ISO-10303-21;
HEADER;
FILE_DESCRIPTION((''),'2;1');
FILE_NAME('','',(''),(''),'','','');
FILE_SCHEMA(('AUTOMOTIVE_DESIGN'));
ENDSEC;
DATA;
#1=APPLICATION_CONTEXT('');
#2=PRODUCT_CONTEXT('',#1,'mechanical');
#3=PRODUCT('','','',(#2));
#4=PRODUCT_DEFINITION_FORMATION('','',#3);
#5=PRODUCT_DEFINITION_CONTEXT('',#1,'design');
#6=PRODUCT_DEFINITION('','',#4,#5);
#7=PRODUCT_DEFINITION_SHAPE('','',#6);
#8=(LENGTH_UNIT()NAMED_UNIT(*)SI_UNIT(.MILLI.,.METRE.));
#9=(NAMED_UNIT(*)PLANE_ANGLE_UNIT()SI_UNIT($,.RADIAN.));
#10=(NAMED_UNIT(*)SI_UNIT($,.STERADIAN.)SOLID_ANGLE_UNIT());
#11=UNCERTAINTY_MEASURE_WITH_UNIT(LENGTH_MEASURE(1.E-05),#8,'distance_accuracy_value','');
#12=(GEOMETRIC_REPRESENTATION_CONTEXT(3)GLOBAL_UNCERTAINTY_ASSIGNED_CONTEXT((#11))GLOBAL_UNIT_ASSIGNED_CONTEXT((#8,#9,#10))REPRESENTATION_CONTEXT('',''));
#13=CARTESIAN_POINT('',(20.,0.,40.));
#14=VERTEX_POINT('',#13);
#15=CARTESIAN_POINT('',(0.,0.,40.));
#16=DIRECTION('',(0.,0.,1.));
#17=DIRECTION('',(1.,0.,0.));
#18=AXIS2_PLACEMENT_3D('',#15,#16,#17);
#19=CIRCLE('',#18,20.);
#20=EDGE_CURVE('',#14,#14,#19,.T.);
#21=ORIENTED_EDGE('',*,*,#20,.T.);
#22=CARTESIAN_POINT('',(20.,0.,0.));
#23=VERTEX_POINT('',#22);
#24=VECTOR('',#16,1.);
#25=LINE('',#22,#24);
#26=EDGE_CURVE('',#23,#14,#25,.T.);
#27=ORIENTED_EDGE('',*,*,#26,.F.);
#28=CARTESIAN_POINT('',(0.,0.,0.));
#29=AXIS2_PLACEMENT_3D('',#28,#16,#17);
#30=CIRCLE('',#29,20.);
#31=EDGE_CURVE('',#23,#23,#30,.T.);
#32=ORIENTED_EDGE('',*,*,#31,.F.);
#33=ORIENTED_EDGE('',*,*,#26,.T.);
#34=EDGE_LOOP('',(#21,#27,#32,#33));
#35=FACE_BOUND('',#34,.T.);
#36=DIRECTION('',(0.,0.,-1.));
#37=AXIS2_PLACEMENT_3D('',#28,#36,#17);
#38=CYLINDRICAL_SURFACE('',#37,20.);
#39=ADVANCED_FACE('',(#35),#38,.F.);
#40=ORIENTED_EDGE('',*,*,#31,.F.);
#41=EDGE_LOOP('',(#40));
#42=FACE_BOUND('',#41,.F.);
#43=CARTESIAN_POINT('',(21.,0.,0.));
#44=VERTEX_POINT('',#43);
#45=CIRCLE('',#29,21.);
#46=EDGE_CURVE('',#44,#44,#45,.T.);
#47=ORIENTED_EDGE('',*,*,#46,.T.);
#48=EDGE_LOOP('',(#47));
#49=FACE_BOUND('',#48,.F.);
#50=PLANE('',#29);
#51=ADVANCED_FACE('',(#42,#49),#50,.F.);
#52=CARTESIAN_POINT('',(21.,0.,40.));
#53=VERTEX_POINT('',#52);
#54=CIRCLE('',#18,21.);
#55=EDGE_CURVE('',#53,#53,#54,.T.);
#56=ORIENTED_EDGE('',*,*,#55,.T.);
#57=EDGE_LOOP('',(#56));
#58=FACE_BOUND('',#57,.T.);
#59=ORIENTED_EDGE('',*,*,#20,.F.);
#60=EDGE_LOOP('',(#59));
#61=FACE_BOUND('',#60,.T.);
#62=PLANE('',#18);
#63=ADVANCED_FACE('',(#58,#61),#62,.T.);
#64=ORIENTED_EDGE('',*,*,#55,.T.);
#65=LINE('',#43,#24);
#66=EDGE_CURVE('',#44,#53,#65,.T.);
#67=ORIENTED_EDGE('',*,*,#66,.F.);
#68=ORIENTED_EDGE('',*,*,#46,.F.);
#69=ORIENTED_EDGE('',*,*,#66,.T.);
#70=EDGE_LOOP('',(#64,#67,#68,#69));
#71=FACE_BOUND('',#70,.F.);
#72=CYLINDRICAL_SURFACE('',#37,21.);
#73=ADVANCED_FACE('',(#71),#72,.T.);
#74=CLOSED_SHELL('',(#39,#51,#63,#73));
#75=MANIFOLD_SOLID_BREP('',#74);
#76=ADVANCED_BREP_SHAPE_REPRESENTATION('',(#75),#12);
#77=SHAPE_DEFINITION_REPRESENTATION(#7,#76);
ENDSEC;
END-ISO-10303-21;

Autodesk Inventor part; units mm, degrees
ref_plane "YZ Plane" through (0, 0, 0) normal (1, 0, 0) x (0, 1, 0)
ref_plane "XZ Plane" through (0, 0, 0) normal (0, 1, 0) x (-1, 0, 0)
ref_plane "XY Plane" through (0, 0, 0) normal (0, 0, 1) x (1, 0, 0)
sketch "Sketch1" plane through (0, 0, 0) normal (0, 0, 1) x (1, 0, 0)
  circle A0 centre (0, 0) radius 20
  circle A1 centre (0, 0) radius 21
  dimension "d0" = 40
  dimension "d1" = 42
extrude "Extrusion1" add sketch "Sketch1" along normal blind 40
properties part number "Tube"
